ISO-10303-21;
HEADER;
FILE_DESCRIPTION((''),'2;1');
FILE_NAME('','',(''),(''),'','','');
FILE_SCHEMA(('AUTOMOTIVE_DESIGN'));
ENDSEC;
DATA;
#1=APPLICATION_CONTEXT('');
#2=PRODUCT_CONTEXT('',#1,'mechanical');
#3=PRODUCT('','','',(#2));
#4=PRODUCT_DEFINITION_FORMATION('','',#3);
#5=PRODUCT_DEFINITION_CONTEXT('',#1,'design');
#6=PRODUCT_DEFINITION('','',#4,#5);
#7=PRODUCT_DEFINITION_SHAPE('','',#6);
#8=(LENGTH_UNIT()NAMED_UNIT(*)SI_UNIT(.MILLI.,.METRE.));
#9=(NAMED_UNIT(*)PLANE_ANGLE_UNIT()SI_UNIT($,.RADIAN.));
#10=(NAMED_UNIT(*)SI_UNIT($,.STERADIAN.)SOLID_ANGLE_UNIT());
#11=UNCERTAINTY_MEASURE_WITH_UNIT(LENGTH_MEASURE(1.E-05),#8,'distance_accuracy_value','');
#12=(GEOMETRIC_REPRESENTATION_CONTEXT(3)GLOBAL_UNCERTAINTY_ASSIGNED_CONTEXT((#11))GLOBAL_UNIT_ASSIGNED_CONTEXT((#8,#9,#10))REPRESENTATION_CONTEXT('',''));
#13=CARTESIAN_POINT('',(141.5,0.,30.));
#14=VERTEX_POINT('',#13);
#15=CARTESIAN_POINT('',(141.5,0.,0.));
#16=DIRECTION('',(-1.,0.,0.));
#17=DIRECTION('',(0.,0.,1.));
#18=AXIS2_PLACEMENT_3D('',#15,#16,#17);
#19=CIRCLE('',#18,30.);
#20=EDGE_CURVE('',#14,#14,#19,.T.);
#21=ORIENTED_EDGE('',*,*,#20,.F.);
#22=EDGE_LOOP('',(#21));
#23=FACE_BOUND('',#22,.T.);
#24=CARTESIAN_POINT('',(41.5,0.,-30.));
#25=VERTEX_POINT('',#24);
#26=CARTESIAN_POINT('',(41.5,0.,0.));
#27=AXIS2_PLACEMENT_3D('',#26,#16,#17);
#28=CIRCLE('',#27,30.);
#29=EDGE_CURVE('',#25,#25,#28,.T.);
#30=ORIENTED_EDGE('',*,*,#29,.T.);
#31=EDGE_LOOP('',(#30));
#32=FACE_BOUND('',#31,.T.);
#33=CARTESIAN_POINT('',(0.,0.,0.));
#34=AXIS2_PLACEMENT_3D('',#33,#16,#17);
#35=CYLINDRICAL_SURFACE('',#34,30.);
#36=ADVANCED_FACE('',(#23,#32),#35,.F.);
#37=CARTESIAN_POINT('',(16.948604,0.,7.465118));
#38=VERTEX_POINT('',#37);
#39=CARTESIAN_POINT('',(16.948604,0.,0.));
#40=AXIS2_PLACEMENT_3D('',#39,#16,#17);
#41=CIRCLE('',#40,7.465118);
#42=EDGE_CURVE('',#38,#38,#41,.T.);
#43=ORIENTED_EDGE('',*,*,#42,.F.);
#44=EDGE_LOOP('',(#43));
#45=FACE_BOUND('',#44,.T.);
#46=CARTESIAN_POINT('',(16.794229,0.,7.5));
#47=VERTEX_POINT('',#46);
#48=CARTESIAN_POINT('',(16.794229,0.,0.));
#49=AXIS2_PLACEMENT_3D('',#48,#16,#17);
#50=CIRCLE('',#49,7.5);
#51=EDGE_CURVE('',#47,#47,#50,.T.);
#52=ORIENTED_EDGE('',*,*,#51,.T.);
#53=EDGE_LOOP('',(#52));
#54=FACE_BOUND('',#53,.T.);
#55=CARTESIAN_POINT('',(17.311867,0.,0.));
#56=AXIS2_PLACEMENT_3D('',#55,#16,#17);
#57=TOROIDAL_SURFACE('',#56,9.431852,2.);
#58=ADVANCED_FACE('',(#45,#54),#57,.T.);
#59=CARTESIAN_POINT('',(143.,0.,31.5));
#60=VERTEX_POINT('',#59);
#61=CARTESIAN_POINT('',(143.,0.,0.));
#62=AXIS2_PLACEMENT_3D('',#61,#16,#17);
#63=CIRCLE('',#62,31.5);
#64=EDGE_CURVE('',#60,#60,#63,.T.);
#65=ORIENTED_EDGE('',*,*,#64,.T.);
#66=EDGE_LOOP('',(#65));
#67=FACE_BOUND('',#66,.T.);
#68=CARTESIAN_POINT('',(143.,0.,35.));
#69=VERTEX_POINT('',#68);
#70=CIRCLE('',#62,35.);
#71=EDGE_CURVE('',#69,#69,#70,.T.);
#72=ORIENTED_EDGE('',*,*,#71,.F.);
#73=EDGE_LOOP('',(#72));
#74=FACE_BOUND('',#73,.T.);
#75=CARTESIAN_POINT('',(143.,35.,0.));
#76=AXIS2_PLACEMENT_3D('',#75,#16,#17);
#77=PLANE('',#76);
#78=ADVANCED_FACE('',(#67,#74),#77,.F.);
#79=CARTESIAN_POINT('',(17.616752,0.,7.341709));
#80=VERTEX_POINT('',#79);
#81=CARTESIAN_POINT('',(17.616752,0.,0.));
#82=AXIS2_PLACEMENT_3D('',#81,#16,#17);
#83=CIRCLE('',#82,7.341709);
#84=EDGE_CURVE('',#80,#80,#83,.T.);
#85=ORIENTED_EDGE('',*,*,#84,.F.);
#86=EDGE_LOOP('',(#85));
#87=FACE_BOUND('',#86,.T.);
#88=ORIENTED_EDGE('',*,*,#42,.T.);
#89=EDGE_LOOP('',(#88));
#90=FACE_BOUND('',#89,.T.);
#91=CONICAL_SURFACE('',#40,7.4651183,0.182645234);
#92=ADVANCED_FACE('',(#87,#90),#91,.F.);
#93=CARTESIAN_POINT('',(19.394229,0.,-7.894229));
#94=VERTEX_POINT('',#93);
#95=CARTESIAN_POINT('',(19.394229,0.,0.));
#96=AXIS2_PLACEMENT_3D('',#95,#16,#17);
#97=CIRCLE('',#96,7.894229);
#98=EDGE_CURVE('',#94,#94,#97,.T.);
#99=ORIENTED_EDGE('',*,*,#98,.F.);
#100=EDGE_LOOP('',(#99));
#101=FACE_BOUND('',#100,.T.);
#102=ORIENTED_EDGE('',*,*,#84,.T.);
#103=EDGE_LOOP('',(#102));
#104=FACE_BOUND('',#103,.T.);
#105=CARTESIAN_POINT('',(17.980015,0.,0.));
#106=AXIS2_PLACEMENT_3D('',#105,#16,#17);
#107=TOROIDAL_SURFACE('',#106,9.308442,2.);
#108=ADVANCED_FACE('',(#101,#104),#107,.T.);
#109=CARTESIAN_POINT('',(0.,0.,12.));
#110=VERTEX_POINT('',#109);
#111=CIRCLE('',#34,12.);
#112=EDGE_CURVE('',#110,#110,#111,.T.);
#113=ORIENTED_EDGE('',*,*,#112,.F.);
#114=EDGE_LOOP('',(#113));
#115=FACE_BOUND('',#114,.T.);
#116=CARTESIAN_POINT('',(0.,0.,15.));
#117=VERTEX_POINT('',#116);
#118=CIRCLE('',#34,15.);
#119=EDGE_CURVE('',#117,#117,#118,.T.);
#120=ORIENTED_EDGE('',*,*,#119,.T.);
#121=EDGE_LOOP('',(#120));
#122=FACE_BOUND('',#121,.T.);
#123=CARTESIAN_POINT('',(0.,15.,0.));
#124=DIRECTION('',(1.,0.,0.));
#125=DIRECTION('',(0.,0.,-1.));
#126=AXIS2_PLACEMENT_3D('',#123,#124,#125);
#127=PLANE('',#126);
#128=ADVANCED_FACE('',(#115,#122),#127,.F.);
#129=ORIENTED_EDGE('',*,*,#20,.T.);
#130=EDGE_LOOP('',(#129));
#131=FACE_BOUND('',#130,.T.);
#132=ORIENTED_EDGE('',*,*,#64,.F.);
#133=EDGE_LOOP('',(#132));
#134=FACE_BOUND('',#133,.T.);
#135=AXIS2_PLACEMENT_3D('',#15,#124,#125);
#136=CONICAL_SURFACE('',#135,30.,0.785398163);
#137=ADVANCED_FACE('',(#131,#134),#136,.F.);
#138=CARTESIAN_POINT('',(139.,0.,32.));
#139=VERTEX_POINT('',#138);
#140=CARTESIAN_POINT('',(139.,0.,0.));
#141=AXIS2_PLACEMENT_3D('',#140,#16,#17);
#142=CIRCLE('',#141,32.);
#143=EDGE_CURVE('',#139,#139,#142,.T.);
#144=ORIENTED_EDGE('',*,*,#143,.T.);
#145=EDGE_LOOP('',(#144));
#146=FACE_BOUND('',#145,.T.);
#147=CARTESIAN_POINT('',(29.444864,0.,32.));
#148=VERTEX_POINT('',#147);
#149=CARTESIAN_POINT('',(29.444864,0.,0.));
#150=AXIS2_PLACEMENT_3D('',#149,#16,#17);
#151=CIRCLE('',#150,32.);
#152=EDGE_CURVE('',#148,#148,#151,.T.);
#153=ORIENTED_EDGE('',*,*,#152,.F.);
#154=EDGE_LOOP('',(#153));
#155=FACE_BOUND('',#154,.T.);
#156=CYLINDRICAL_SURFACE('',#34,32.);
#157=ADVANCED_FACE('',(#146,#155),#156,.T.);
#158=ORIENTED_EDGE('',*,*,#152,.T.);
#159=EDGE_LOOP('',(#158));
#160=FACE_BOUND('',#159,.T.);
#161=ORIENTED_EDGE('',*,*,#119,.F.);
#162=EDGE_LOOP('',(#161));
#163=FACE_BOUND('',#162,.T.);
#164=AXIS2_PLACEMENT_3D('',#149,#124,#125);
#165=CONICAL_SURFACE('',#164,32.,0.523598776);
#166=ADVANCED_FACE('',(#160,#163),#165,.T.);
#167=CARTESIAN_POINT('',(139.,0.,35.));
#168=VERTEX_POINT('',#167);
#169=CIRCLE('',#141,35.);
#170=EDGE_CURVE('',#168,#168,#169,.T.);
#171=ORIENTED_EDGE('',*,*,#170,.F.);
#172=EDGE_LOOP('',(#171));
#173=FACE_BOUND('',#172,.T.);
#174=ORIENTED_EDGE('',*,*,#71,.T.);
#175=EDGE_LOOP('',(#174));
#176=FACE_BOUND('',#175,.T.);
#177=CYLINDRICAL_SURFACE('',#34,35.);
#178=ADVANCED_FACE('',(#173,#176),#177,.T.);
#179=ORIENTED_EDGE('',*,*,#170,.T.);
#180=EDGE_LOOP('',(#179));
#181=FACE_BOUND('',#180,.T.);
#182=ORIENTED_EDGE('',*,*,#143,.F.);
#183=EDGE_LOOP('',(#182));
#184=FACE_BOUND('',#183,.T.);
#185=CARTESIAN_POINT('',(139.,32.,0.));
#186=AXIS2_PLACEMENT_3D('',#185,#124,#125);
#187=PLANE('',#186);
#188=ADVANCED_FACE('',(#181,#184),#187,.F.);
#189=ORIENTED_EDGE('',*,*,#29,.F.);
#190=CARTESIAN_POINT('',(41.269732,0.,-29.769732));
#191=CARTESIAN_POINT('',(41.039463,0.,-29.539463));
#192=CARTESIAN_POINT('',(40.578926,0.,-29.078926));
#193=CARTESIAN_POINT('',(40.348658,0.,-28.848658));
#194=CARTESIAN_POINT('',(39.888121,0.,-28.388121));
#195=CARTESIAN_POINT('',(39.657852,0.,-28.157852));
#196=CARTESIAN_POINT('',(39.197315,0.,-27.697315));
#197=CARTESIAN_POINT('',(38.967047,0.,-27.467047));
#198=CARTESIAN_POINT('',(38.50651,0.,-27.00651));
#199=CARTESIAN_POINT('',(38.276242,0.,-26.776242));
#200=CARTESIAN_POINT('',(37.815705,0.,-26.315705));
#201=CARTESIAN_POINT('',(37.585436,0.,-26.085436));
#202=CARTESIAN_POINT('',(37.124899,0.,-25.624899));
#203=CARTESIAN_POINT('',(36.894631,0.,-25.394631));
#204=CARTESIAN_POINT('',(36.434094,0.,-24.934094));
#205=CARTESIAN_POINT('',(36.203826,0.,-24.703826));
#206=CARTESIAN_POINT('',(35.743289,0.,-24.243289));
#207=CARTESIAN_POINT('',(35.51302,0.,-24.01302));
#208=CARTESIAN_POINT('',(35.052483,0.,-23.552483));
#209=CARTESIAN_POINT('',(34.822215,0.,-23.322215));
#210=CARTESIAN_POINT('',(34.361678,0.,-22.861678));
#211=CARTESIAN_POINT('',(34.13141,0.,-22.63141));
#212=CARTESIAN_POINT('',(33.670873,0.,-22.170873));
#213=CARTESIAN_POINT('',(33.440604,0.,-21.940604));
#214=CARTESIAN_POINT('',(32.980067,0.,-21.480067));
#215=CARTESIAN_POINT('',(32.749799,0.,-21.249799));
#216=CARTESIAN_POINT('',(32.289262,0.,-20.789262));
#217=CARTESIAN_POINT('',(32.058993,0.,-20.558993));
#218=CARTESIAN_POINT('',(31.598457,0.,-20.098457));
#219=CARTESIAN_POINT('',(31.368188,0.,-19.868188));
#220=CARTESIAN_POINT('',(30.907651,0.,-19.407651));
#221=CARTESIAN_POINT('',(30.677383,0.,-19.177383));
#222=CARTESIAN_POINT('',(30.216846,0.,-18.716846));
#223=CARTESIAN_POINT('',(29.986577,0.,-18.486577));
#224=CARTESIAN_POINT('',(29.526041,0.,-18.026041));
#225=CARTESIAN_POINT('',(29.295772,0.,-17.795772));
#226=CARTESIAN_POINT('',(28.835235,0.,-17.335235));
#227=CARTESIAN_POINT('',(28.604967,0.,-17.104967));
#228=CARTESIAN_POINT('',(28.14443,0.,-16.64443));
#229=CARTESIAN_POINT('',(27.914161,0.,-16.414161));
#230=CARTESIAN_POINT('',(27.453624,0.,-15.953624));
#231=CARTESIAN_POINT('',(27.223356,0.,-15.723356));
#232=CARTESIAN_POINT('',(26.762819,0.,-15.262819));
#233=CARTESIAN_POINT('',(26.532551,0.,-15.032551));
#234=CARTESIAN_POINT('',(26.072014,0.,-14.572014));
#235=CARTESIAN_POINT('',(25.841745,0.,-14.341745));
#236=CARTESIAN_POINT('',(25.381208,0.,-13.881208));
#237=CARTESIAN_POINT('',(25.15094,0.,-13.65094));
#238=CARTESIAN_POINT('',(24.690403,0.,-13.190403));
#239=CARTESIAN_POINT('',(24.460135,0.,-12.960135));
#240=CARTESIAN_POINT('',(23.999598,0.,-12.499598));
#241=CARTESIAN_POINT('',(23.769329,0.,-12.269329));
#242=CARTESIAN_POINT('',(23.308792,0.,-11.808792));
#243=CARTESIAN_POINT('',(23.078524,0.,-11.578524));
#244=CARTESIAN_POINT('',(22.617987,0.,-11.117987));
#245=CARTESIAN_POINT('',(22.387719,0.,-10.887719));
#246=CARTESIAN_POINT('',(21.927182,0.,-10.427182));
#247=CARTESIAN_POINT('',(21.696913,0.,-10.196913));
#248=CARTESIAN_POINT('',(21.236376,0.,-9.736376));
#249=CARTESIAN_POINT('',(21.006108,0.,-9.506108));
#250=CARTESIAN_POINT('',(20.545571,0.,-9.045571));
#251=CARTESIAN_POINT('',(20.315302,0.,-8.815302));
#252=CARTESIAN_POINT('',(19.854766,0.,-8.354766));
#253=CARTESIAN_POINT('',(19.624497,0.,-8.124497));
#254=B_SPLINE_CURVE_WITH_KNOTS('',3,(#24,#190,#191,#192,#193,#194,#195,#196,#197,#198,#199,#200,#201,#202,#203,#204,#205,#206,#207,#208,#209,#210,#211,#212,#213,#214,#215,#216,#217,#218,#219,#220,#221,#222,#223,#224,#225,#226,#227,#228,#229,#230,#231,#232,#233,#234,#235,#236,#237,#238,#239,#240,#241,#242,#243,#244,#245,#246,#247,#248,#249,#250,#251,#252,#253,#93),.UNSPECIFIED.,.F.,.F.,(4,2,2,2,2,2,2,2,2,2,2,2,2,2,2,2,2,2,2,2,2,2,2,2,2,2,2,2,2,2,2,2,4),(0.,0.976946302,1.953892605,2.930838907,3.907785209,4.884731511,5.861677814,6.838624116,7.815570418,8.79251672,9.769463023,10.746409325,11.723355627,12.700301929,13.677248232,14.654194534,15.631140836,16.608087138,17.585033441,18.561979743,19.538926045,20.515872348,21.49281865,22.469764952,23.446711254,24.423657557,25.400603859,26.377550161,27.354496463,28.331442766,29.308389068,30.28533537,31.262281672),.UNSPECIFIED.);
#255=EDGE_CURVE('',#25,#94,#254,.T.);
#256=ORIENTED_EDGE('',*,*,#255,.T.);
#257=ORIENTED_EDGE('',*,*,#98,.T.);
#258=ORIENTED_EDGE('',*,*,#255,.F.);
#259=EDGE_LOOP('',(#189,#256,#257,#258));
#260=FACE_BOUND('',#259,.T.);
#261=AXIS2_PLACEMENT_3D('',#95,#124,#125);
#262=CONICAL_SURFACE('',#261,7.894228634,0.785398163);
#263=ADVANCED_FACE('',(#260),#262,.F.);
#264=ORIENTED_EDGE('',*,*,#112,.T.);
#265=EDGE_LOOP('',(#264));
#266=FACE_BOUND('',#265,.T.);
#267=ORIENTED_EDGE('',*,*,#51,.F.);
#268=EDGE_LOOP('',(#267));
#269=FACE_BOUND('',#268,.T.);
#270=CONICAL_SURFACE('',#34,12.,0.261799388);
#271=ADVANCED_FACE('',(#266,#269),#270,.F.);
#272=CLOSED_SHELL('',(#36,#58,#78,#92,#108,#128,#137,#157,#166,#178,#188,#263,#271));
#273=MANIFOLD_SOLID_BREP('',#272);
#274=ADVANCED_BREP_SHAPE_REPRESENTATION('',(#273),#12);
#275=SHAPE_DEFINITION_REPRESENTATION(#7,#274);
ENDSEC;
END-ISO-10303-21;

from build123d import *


with BuildPart() as part:
    # Эскиз1 → Повернуть1 (revolve)
    with BuildSketch(Plane.XY, mode=Mode.PRIVATE) as revolve_1_sk:
        with BuildLine():
            Line((0, 15), (29.444863729, 32))
            Line((29.444863729, 32), (139, 32))
            Line((139, 32), (139, 35))
            Line((139, 35), (143, 35))
            Line((143, 35), (143, 31.5))
            Line((143, 31.5), (141.5, 30))
            Line((141.5, 30), (41.5, 30))
            Line((41.5, 30), (19.394228634, 7.894228634))
            ThreePointArc((19.394228634, 7.894228634), (18.573684899, 7.398584574), (17.616752191, 7.341708844))
            Line((17.616752191, 7.341708844), (16.948603844, 7.4651183))
            ThreePointArc((16.948603844, 7.4651183), (16.871071065, 7.481031521), (16.794228634, 7.5))
            Line((16.794228634, 7.5), (0, 12))
            Line((0, 12), (0, 15))
        make_face()
    revolve(revolve_1_sk.sketch.rotate(Axis((0, 0, 0), (1, 0, 0)), 90), axis=Axis((0, 0, 0), (1, 0, 0)))


solid = part.part
